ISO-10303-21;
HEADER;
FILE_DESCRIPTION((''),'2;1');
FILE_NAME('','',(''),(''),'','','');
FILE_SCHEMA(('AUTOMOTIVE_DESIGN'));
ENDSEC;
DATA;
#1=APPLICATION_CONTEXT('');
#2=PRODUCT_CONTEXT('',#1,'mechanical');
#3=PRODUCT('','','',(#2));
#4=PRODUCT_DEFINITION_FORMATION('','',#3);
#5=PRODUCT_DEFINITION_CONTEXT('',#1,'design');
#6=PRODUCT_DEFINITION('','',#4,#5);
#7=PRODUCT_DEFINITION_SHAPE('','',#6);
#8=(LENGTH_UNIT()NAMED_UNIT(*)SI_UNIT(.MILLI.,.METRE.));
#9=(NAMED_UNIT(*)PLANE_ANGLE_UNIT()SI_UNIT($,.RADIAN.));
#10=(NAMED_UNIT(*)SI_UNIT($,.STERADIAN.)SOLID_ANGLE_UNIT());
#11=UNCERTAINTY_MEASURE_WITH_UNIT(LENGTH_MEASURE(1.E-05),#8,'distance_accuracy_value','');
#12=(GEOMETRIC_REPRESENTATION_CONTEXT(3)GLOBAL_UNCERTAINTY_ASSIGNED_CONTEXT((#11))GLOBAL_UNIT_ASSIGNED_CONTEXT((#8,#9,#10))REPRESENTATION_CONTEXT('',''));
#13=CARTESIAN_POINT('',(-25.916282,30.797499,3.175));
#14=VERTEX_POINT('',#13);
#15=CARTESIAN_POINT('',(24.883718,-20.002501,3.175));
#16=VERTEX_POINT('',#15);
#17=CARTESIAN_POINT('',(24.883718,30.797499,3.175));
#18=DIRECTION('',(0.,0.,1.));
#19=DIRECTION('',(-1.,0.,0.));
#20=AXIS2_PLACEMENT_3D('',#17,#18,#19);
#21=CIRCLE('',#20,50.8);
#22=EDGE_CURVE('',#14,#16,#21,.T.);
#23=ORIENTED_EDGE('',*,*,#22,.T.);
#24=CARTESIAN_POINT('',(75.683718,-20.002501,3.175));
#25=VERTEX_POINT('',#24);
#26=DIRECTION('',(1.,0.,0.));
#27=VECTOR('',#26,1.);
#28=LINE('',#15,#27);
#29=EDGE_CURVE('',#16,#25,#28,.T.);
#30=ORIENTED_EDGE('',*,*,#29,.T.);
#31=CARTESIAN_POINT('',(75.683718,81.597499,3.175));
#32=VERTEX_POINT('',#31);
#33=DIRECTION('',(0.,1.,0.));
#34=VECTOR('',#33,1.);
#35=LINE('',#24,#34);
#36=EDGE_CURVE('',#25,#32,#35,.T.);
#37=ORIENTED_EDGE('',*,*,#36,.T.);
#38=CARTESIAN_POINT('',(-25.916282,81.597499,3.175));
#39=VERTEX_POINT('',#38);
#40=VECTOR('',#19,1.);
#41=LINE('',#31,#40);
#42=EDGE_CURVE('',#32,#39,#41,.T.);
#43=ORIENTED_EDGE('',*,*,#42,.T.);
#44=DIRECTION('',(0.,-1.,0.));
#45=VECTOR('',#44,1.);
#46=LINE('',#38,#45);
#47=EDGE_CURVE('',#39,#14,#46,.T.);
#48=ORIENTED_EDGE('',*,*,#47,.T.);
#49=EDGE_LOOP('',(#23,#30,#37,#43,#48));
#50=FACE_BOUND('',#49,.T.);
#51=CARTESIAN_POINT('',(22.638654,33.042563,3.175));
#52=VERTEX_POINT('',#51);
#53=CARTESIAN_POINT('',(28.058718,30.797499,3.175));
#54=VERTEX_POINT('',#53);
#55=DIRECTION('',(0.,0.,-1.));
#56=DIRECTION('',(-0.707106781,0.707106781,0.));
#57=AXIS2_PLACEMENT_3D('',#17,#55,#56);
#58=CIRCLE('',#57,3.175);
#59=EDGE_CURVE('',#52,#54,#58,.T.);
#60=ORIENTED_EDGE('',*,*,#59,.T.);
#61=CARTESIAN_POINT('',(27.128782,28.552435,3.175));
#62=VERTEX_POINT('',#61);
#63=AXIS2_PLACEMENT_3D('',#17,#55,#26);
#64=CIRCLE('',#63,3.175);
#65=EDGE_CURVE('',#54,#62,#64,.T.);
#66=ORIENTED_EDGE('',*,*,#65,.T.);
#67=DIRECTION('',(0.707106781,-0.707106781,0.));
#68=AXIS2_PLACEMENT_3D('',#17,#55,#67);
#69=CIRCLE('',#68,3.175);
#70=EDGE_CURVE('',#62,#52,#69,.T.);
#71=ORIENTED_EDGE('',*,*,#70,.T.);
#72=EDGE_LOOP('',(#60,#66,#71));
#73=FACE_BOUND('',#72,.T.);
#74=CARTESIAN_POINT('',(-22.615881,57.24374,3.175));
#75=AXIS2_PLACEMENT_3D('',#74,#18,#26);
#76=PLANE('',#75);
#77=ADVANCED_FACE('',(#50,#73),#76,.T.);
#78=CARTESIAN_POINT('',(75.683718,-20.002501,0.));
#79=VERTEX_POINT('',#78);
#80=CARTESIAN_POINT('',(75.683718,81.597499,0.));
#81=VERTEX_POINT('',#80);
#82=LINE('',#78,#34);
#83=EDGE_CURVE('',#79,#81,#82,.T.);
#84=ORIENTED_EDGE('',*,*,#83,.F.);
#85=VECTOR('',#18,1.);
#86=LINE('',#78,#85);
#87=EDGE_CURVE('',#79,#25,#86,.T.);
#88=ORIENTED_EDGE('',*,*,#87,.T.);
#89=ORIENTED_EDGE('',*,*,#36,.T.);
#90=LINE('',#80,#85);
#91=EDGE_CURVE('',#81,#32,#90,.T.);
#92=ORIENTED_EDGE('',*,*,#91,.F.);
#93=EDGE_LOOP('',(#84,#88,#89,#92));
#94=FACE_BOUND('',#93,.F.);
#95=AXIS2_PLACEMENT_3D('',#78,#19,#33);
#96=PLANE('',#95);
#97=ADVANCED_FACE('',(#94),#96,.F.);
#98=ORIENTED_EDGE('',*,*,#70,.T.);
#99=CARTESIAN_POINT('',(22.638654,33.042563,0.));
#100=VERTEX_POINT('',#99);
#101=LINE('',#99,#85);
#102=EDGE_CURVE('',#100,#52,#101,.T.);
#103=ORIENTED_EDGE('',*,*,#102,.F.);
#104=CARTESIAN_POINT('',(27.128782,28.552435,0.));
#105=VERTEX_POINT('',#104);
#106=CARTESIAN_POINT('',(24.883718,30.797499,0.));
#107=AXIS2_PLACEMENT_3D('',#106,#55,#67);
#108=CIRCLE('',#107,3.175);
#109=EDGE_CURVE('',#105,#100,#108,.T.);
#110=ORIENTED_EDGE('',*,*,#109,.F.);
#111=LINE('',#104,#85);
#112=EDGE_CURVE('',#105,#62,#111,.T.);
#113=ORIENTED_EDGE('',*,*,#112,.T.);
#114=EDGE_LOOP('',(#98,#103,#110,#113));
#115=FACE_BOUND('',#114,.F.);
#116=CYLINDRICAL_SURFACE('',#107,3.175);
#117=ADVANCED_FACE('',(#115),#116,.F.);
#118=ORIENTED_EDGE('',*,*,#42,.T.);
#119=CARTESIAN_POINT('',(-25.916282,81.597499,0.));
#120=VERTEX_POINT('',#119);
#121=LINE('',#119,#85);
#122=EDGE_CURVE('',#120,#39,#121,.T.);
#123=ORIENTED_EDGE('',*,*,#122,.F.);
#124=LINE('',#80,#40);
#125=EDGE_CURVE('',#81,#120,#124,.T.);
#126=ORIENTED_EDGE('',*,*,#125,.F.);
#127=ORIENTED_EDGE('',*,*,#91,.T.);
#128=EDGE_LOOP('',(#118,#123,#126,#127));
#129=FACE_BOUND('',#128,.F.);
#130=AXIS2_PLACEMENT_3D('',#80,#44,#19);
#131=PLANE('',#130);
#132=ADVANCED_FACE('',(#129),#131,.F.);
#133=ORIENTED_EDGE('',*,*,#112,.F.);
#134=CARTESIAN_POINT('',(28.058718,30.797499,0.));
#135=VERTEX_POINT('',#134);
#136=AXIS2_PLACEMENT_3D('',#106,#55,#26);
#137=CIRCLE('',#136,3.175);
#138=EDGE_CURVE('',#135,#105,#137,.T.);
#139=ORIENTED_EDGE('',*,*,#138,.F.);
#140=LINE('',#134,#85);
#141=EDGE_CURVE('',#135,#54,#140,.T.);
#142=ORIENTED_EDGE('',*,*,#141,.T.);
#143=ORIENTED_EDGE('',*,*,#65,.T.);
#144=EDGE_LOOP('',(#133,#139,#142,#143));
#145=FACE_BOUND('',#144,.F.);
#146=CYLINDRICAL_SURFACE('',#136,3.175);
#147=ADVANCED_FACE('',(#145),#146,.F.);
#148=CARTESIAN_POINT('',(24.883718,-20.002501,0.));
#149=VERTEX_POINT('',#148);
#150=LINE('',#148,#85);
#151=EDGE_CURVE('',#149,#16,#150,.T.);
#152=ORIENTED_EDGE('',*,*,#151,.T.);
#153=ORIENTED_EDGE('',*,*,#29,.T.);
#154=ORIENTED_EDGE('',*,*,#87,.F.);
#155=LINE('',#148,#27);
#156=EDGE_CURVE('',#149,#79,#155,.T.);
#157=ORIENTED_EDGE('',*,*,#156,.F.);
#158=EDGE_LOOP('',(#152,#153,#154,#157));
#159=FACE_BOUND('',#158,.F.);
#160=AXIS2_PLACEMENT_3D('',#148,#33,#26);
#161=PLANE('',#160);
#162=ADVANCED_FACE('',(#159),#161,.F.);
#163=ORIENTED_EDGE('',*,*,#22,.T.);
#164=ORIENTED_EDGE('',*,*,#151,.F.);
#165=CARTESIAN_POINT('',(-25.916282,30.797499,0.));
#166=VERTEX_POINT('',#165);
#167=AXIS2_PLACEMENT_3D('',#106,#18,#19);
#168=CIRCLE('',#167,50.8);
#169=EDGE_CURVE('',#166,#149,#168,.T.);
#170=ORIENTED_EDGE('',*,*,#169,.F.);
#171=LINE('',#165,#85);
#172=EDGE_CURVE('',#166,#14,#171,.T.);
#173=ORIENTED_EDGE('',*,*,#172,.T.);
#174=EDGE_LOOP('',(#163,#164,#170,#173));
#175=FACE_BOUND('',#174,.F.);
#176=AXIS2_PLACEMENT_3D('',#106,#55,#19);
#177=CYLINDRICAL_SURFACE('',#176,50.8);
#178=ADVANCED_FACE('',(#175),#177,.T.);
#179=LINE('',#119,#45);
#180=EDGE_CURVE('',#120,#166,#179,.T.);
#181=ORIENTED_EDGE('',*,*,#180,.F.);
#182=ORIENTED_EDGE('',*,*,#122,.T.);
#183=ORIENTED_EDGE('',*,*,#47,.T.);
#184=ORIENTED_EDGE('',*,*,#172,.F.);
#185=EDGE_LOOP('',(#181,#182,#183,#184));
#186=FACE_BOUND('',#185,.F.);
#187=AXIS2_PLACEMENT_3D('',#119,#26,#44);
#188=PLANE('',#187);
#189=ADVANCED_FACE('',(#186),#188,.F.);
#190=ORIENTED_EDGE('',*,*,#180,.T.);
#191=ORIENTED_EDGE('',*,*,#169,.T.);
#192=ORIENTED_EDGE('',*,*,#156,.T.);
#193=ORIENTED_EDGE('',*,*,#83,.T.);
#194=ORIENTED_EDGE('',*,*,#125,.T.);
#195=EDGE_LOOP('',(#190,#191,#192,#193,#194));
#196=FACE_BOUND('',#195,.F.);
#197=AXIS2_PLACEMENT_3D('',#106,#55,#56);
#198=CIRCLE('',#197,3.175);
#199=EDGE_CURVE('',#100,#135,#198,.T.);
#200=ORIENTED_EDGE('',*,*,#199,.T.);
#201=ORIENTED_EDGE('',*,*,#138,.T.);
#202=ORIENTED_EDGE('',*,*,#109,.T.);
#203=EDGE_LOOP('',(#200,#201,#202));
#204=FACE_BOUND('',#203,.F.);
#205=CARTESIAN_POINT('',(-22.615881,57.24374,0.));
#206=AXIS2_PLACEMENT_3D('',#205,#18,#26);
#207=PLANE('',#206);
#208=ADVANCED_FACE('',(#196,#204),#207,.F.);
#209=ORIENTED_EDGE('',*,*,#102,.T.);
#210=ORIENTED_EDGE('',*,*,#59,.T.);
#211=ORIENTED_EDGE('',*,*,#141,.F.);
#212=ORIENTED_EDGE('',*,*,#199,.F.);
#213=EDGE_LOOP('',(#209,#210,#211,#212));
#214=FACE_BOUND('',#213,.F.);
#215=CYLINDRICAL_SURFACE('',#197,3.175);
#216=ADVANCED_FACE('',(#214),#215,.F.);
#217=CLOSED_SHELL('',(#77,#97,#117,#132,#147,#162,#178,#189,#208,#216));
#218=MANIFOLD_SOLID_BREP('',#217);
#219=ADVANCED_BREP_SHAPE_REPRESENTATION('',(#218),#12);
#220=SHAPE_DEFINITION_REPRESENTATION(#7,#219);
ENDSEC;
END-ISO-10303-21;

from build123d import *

# Parameters (mm, degrees)
F1_DEPTH = 3.175


with BuildPart() as f1:
    # F0 (on Top) → F1 (new body)
    with BuildSketch(Plane.XY):
        with BuildLine():
            Line((-25.9162820876, 81.5974989146), (-25.9162820876, 30.7974989146))
            ThreePointArc((-25.9162820876, 30.7974989146), (-22.0493623391, 50.2378172787), (-11.0373065718, 66.7185233989))
            Line((-11.0373065718, 66.7185233989), (-25.9162820876, 81.5974989146))
        make_face()
        with BuildLine():
            ThreePointArc((-25.9162820876, 30.7974989146), (-11.0373065718, -5.1235255697), (24.8837179124, -20.0025010854))
            ThreePointArc((24.8837179124, -20.0025010854), (44.3240362766, -16.135581337), (60.8047423967, -5.1235255697))
            Line((60.8047423967, -5.1235255697), (27.1287819427, 28.5524348843))
            ThreePointArc((27.1287819427, 28.5524348843), (22.6386538822, 28.5524348843), (22.6386538822, 33.0425629449))
            Line((22.6386538822, 33.0425629449), (-11.0373065718, 66.7185233989))
            ThreePointArc((-11.0373065718, 66.7185233989), (-22.0493623391, 50.2378172787), (-25.9162820876, 30.7974989146))
        make_face()
        with BuildLine():
            ThreePointArc((60.8047423967, -5.1235255697), (44.3240362766, -16.135581337), (24.8837179124, -20.0025010854))
            Line((24.8837179124, -20.0025010854), (75.6837179124, -20.0025010854))
            Line((75.6837179124, -20.0025010854), (60.8047423967, -5.1235255697))
        make_face()
        with BuildLine():
            Line((60.8047423967, -5.1235255697), (75.6837179124, -20.0025010854))
            Line((75.6837179124, -20.0025010854), (75.6837179124, 30.7974989146))
            ThreePointArc((75.6837179124, 30.7974989146), (71.816798164, 11.3571805505), (60.8047423967, -5.1235255697))
        make_face()
        with BuildLine():
            Line((27.1287819427, 28.5524348843), (60.8047423967, -5.1235255697))
            ThreePointArc((60.8047423967, -5.1235255697), (71.816798164, 11.3571805505), (75.6837179124, 30.7974989146))
            ThreePointArc((75.6837179124, 30.7974989146), (60.8047423967, 66.7185233989), (24.8837179124, 81.5974989146))
            ThreePointArc((24.8837179124, 81.5974989146), (5.4433995483, 77.7305791662), (-11.0373065718, 66.7185233989))
            Line((-11.0373065718, 66.7185233989), (22.6386538822, 33.0425629449))
            ThreePointArc((22.6386538822, 33.0425629449), (26.0987378102, 33.7308164303), (28.0587179124, 30.7974989146))
            ThreePointArc((28.0587179124, 30.7974989146), (27.8170354282, 29.5824790168), (27.1287819427, 28.5524348843))
        make_face()
        with BuildLine():
            Line((24.8837179124, 81.5974989146), (-25.9162820876, 81.5974989146))
            Line((-25.9162820876, 81.5974989146), (-11.0373065718, 66.7185233989))
            ThreePointArc((-11.0373065718, 66.7185233989), (5.4433995483, 77.7305791662), (24.8837179124, 81.5974989146))
        make_face()
        with BuildLine():
            ThreePointArc((24.8837179124, 81.5974989146), (60.8047423967, 66.7185233989), (75.6837179124, 30.7974989146))
            Line((75.6837179124, 30.7974989146), (75.6837179124, 81.5974989146))
            Line((75.6837179124, 81.5974989146), (24.8837179124, 81.5974989146))
        make_face()
    extrude(amount=F1_DEPTH)


solid = f1.part
